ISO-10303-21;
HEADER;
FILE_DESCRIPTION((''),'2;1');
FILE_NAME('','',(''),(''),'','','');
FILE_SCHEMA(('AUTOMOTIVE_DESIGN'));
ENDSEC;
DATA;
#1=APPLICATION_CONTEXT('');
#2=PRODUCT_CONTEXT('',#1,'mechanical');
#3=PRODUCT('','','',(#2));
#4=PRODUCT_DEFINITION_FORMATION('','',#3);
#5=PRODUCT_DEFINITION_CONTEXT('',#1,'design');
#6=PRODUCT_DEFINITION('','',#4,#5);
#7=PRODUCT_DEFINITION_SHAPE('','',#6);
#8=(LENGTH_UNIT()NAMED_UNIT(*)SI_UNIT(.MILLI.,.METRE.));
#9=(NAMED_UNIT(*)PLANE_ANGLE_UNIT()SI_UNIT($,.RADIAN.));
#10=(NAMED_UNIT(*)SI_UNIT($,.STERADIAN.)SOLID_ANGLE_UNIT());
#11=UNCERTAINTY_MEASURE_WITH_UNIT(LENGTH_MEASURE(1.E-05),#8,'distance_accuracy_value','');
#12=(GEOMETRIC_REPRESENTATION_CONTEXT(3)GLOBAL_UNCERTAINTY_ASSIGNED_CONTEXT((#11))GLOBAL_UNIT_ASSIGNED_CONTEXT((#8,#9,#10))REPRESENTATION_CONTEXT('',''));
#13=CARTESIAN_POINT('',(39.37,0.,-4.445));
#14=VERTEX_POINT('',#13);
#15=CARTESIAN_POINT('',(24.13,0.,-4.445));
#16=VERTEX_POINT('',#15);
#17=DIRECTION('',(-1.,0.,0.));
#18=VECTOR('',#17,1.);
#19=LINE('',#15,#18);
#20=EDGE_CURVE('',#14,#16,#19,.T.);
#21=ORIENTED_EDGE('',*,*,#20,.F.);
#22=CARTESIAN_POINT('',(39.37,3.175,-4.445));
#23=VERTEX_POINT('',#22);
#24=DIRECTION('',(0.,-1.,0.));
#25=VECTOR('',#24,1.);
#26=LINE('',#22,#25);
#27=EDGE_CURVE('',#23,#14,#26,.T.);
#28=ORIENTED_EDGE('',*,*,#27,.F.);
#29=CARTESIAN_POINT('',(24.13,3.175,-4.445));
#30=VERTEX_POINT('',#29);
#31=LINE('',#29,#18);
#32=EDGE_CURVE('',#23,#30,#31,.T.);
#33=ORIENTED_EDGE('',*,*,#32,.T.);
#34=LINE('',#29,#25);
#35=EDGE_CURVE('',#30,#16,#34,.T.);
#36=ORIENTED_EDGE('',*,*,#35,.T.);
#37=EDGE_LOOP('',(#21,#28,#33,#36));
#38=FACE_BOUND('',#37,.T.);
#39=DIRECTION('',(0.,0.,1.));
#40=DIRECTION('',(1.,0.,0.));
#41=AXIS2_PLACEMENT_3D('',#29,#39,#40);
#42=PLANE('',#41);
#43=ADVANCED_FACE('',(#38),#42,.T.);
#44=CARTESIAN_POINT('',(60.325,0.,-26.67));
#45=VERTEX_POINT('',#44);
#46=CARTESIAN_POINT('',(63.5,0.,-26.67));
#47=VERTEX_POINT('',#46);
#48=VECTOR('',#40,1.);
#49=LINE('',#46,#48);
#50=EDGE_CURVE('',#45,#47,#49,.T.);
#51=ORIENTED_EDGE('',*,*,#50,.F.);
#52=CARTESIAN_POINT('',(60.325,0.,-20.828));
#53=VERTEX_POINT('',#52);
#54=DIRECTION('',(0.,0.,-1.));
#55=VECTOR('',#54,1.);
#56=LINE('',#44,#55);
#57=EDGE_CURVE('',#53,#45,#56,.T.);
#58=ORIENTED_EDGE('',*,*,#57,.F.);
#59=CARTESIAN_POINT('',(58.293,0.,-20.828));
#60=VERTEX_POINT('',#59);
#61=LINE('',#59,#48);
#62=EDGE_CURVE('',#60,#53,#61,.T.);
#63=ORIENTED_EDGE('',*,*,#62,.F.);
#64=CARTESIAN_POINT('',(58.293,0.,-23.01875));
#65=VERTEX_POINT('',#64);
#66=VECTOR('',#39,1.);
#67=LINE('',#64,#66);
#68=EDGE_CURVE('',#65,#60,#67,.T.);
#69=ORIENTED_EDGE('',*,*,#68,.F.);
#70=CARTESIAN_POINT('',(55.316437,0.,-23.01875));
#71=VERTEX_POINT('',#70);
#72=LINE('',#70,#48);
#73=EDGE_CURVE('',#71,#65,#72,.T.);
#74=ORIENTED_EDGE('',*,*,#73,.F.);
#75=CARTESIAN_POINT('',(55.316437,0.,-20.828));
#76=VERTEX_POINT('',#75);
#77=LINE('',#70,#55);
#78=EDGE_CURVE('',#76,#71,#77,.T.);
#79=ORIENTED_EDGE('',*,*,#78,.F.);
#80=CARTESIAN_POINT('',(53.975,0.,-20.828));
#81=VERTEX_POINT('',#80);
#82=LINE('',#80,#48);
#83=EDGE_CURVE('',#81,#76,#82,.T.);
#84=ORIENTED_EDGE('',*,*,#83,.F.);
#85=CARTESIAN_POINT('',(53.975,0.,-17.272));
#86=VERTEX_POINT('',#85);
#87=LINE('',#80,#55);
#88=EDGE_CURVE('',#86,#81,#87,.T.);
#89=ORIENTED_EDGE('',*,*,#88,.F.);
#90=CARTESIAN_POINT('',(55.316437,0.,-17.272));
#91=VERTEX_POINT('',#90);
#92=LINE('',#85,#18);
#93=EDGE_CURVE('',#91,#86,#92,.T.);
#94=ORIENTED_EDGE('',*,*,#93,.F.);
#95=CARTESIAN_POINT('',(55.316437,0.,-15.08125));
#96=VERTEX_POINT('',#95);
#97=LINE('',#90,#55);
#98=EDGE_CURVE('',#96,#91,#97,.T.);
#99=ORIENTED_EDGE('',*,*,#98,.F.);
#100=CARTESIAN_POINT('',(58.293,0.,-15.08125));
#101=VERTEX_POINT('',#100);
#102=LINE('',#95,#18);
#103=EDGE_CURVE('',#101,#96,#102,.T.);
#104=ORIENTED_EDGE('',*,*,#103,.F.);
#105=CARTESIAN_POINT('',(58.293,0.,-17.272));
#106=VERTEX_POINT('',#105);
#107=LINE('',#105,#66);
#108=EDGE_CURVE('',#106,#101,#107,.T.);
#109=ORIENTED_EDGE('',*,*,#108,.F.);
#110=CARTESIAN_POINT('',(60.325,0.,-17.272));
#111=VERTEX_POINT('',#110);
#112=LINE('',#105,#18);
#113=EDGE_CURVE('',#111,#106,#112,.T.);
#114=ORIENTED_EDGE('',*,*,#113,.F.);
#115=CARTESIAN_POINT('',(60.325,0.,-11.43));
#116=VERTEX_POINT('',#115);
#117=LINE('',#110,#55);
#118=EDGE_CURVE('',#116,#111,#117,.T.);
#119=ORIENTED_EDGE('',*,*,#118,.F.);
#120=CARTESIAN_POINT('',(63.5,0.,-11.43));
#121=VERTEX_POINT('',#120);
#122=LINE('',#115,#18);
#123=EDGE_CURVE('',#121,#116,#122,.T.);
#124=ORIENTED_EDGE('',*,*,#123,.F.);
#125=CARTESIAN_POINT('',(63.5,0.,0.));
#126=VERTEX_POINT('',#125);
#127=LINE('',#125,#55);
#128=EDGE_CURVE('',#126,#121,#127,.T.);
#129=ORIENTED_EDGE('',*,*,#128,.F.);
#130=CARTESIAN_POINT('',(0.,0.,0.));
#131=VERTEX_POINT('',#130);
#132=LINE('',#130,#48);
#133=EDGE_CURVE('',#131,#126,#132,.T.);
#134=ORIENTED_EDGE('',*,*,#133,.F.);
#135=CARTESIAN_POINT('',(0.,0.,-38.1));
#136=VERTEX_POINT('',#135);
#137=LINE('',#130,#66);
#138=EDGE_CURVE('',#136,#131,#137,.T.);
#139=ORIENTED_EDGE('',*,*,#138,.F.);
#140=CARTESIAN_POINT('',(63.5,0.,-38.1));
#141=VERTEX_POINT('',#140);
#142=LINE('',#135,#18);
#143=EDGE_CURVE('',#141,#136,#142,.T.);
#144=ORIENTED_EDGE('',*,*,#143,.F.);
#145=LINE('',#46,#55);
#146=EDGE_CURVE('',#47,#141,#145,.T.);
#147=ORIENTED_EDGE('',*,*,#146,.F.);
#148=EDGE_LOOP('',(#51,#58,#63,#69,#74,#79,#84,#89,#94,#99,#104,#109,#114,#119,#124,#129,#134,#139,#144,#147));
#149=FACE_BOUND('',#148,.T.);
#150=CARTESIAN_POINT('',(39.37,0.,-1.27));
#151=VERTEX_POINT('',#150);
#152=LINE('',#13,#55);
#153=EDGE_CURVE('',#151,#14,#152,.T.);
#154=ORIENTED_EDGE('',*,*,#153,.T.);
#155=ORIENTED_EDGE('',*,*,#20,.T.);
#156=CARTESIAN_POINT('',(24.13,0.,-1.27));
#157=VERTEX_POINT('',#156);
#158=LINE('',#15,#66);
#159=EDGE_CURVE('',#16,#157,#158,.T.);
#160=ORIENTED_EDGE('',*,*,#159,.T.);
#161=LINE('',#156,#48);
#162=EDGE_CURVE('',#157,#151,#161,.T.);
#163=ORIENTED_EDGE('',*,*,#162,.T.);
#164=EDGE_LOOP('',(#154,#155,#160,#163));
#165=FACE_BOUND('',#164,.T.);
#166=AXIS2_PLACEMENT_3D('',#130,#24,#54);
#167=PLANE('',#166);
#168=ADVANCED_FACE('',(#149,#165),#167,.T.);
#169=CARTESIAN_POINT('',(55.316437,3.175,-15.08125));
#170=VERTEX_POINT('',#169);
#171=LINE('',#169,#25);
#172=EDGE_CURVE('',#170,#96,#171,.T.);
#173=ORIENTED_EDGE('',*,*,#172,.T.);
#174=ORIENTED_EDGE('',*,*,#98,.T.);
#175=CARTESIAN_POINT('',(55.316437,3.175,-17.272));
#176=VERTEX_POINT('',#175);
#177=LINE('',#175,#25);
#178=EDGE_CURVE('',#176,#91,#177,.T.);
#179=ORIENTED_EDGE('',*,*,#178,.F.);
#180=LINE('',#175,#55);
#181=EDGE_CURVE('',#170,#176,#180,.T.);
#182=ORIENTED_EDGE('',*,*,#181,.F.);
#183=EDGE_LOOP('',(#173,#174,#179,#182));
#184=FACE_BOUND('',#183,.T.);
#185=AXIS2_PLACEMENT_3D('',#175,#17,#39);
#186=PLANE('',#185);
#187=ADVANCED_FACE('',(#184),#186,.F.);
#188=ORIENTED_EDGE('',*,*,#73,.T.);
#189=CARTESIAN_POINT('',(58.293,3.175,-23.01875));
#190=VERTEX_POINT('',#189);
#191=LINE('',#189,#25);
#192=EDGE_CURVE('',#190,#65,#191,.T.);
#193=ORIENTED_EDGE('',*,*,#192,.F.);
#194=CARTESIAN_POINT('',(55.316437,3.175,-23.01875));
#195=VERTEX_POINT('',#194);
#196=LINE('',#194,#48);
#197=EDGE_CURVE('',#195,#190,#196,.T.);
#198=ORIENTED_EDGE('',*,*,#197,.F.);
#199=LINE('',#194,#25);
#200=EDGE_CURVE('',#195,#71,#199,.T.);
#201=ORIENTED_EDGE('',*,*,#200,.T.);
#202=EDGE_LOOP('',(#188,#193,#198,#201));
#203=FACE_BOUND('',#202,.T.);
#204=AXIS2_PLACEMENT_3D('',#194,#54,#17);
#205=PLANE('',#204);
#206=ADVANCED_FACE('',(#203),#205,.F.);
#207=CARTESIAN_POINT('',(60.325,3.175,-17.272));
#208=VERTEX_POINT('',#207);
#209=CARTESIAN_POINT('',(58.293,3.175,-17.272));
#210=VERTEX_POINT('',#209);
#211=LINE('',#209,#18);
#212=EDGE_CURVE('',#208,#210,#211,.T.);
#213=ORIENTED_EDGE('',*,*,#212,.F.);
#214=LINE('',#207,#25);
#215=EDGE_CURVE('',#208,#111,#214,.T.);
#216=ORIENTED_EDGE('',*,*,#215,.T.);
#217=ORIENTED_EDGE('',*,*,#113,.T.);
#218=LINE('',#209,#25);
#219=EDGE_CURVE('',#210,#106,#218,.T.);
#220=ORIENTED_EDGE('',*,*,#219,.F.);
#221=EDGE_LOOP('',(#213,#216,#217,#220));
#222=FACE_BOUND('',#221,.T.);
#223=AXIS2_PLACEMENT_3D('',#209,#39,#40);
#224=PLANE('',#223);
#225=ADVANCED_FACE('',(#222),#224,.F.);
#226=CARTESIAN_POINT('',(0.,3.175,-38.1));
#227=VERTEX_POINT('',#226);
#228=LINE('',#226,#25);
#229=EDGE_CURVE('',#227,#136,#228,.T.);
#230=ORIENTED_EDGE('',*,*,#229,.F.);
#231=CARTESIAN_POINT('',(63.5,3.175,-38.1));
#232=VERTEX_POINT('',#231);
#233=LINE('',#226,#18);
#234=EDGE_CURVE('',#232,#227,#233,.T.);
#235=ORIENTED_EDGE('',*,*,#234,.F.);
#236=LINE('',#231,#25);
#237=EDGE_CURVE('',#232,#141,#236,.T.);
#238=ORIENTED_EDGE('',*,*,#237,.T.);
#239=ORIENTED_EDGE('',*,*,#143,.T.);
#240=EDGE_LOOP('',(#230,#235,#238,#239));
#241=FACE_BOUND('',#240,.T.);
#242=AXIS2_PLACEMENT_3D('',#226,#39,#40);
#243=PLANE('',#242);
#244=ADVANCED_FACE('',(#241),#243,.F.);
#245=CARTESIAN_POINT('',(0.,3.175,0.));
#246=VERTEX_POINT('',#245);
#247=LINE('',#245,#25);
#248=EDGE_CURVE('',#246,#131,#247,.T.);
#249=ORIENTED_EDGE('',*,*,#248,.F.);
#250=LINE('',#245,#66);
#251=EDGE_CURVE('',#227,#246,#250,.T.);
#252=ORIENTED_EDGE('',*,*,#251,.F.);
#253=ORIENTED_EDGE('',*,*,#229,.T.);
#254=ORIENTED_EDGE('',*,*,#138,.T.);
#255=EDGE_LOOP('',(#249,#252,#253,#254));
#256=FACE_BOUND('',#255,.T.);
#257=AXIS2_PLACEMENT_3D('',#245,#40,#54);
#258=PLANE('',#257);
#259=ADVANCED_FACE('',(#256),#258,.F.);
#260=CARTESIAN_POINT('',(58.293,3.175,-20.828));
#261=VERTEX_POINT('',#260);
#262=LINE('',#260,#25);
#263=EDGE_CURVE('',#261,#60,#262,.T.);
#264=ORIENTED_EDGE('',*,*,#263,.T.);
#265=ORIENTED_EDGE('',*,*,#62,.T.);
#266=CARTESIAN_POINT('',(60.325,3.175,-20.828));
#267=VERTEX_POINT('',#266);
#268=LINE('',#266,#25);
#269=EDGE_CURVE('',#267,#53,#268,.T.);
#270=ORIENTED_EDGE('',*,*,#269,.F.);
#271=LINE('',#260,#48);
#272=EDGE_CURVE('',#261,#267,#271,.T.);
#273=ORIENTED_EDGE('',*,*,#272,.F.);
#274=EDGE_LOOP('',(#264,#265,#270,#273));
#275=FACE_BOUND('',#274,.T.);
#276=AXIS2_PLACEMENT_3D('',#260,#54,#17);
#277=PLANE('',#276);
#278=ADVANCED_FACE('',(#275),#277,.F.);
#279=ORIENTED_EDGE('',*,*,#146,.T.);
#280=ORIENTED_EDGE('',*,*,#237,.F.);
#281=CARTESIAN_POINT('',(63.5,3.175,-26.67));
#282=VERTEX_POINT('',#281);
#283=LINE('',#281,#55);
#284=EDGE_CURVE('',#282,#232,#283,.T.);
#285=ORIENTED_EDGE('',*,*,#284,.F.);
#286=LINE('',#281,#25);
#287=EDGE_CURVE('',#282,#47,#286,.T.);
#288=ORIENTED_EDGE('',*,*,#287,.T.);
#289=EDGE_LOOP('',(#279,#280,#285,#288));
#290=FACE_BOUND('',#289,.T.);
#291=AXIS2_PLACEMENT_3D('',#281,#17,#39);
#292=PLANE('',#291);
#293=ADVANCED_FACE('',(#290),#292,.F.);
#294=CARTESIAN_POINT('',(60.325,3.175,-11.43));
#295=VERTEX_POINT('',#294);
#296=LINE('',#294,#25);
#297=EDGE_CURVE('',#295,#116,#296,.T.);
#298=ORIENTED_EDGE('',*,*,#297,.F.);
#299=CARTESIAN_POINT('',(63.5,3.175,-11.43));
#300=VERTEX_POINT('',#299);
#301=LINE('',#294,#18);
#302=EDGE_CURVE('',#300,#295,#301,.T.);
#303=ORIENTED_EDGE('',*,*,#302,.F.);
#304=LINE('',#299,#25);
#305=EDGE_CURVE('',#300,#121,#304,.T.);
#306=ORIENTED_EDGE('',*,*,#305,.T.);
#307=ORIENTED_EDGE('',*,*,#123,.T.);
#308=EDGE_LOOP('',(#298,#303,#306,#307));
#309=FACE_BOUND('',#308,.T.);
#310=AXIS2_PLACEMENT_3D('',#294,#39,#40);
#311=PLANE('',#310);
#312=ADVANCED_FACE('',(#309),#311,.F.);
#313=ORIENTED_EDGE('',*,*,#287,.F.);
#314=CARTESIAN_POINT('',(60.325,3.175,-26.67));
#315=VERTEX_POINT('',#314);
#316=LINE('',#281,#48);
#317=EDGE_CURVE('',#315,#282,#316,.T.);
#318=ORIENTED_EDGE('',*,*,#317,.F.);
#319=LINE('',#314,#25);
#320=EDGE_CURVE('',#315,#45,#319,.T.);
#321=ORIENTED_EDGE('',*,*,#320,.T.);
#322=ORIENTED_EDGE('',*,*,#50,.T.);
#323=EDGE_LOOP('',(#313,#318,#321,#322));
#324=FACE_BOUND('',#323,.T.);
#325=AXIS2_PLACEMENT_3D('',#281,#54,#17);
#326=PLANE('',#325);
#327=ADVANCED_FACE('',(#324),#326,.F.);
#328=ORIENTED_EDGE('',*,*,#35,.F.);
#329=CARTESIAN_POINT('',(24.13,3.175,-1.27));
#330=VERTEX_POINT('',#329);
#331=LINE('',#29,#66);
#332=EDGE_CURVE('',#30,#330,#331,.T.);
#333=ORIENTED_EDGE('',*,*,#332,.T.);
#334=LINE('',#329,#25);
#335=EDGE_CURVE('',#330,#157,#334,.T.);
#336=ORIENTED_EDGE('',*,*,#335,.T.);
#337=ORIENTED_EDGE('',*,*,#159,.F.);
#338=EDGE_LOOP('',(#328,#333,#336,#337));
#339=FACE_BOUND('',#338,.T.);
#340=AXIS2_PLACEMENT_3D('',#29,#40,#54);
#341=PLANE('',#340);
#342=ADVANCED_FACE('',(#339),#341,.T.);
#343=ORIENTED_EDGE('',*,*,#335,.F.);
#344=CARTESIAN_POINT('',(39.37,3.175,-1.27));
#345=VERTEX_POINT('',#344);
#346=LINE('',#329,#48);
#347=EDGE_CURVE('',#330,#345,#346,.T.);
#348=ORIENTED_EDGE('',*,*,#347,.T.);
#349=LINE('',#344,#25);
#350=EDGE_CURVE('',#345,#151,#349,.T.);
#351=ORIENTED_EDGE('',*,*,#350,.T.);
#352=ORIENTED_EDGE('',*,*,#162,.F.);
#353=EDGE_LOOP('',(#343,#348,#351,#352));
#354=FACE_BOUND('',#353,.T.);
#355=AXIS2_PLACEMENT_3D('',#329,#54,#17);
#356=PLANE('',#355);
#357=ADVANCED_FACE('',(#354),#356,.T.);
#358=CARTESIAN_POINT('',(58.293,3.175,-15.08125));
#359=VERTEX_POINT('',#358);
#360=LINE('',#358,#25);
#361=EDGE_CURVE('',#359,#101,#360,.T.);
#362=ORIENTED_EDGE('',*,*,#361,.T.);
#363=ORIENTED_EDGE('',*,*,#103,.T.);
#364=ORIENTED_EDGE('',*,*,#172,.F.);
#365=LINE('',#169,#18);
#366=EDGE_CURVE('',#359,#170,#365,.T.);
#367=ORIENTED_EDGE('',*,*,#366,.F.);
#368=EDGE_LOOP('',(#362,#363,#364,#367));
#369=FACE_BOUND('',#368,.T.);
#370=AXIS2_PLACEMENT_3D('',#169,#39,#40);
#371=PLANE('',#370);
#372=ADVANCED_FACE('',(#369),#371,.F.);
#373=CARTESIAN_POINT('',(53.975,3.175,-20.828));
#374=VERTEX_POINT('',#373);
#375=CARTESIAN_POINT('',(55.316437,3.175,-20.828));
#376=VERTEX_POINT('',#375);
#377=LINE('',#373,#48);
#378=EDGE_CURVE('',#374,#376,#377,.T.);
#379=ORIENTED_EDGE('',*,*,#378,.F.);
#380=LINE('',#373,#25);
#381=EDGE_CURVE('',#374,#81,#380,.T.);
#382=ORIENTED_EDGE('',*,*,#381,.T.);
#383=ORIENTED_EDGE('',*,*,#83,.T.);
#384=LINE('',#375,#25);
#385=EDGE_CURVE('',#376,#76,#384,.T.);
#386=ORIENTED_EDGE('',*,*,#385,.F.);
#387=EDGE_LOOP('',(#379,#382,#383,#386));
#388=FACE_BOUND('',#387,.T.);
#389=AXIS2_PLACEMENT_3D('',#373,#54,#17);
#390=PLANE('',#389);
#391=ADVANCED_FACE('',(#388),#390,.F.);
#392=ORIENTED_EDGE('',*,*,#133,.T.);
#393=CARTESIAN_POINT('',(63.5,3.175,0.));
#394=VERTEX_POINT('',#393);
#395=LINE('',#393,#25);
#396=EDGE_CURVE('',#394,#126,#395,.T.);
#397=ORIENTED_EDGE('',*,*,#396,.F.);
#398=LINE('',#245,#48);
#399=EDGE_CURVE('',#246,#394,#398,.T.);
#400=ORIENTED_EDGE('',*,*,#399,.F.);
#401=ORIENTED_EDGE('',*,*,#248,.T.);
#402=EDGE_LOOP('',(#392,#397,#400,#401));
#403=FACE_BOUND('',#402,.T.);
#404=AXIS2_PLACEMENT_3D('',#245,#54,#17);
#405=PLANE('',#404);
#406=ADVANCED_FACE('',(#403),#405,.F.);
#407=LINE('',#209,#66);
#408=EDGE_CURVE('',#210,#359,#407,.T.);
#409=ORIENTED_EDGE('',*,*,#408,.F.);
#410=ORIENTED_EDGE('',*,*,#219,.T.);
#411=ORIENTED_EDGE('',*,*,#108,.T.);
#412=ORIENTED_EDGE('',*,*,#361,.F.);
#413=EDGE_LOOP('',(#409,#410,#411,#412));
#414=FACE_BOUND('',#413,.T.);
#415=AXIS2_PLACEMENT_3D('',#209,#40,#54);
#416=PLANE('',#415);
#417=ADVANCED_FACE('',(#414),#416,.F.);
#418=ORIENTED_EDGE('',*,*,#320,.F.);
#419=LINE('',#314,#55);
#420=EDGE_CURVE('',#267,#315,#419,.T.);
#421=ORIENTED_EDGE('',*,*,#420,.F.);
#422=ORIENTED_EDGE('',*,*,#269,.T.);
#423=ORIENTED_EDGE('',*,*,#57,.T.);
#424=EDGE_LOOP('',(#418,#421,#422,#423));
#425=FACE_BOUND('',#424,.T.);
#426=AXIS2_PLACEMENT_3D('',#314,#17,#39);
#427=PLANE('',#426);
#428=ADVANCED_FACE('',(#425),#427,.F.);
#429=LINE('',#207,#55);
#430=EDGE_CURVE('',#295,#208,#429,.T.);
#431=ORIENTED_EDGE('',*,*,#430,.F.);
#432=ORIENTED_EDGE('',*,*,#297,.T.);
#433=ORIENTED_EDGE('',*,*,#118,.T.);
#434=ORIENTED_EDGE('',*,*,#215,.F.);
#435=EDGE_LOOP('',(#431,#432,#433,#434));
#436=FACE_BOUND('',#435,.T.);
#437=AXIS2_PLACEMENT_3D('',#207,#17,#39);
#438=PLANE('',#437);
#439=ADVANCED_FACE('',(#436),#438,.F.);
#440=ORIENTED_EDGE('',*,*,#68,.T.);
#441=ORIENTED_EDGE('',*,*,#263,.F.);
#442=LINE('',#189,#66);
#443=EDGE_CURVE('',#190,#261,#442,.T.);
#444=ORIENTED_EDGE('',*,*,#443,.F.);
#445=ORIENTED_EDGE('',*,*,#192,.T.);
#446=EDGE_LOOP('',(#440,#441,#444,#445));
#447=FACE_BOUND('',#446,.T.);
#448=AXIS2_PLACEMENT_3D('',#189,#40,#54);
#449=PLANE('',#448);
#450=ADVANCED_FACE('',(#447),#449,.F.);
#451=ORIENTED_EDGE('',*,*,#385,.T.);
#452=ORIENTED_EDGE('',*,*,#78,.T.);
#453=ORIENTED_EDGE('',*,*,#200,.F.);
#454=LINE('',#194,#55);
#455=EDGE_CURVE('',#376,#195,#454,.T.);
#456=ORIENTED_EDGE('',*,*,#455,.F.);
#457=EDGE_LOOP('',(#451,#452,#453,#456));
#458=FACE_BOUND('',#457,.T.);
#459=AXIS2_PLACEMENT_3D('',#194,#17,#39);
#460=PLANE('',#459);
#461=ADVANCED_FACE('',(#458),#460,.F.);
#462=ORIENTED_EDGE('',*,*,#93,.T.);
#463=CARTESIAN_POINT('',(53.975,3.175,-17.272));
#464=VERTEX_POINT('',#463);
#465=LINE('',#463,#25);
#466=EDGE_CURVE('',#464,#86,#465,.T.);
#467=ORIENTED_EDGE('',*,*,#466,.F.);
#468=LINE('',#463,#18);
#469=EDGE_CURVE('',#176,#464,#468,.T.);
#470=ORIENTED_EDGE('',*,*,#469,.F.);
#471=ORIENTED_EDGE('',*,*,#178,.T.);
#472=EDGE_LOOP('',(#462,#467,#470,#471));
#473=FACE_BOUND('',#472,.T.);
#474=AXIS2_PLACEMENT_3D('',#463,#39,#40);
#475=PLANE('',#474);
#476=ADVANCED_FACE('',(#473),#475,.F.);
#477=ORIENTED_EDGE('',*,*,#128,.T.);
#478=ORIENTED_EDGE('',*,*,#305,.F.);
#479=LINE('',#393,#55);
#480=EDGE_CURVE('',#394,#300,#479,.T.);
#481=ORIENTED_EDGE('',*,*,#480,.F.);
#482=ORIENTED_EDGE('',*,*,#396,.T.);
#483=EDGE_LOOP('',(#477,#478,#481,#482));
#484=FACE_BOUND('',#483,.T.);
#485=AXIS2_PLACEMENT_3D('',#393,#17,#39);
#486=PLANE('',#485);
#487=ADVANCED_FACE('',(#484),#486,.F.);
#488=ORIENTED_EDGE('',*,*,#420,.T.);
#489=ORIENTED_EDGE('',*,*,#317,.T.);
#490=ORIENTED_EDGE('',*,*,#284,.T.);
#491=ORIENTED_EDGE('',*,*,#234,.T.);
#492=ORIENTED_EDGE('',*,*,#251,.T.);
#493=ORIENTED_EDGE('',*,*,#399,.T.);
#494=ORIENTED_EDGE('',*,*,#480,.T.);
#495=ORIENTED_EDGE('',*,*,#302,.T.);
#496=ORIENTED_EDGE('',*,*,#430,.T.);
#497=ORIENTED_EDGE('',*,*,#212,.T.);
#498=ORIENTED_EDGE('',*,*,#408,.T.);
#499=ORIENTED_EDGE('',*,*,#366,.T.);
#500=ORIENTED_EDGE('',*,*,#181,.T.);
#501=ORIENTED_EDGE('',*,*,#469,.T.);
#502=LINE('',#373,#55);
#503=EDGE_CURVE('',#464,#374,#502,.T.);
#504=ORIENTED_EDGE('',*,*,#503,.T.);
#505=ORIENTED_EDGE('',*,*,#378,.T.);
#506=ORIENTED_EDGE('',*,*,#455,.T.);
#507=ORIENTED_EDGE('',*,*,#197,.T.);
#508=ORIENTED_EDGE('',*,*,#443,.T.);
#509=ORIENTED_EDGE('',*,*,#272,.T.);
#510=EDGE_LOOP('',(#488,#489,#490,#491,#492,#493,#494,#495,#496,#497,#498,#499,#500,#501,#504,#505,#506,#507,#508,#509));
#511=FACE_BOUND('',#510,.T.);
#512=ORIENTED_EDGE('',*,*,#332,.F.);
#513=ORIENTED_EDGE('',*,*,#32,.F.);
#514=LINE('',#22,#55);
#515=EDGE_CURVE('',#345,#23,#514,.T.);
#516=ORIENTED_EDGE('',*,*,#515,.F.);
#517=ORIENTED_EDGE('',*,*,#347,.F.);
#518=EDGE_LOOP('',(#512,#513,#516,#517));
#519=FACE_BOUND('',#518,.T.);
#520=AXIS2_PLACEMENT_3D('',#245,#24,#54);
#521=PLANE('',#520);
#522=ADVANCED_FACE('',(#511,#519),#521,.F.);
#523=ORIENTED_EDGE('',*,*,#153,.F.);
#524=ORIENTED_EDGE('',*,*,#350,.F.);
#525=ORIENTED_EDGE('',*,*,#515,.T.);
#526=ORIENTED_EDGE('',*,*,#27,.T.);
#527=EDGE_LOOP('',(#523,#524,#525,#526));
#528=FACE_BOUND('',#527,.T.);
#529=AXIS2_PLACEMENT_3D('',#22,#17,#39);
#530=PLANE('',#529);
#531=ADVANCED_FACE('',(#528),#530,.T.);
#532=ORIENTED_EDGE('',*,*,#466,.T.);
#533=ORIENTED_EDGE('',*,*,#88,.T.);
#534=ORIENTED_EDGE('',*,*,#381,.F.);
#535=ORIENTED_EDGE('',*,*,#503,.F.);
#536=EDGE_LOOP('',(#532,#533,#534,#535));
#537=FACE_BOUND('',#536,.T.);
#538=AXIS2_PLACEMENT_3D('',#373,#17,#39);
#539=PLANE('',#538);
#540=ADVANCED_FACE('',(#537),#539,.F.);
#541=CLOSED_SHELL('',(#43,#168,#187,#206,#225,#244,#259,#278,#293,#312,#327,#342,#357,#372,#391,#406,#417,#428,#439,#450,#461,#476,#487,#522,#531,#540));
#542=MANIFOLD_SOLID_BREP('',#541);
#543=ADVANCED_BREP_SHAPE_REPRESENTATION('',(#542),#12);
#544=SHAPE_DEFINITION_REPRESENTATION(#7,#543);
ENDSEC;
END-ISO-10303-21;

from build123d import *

# Parameters (mm, degrees)
SKETCH1_W           = 15.24
SKETCH1_H           = 3.175
BOSS_EXTRUDE1_DEPTH = 3.175


with BuildPart() as part:
    # Sketch1 → Boss-Extrude1 (new body)
    with BuildSketch(Plane(origin=(0, 0, 0), x_dir=(1, 0, 0), z_dir=(0, 1, 0))):
        Polygon((0, 0), (63.5, 0), (63.5, 11.43), (60.325, 11.43), (60.325, 17.272), (58.293, 17.272), (58.293, 15.08125), (55.3164375, 15.08125), (55.3164375, 17.272), (53.975, 17.272), (53.975, 20.828), (55.3164375, 20.828), (55.3164375, 23.01875), (58.293, 23.01875), (58.293, 20.828), (60.325, 20.828), (60.325, 26.67), (63.5, 26.67), (63.5, 38.1), (0, 38.1), align=None)
        with Locations((31.75, 2.8575)):
            Rectangle(SKETCH1_W, SKETCH1_H, mode=Mode.SUBTRACT)
    extrude(amount=BOSS_EXTRUDE1_DEPTH)


solid = part.part
